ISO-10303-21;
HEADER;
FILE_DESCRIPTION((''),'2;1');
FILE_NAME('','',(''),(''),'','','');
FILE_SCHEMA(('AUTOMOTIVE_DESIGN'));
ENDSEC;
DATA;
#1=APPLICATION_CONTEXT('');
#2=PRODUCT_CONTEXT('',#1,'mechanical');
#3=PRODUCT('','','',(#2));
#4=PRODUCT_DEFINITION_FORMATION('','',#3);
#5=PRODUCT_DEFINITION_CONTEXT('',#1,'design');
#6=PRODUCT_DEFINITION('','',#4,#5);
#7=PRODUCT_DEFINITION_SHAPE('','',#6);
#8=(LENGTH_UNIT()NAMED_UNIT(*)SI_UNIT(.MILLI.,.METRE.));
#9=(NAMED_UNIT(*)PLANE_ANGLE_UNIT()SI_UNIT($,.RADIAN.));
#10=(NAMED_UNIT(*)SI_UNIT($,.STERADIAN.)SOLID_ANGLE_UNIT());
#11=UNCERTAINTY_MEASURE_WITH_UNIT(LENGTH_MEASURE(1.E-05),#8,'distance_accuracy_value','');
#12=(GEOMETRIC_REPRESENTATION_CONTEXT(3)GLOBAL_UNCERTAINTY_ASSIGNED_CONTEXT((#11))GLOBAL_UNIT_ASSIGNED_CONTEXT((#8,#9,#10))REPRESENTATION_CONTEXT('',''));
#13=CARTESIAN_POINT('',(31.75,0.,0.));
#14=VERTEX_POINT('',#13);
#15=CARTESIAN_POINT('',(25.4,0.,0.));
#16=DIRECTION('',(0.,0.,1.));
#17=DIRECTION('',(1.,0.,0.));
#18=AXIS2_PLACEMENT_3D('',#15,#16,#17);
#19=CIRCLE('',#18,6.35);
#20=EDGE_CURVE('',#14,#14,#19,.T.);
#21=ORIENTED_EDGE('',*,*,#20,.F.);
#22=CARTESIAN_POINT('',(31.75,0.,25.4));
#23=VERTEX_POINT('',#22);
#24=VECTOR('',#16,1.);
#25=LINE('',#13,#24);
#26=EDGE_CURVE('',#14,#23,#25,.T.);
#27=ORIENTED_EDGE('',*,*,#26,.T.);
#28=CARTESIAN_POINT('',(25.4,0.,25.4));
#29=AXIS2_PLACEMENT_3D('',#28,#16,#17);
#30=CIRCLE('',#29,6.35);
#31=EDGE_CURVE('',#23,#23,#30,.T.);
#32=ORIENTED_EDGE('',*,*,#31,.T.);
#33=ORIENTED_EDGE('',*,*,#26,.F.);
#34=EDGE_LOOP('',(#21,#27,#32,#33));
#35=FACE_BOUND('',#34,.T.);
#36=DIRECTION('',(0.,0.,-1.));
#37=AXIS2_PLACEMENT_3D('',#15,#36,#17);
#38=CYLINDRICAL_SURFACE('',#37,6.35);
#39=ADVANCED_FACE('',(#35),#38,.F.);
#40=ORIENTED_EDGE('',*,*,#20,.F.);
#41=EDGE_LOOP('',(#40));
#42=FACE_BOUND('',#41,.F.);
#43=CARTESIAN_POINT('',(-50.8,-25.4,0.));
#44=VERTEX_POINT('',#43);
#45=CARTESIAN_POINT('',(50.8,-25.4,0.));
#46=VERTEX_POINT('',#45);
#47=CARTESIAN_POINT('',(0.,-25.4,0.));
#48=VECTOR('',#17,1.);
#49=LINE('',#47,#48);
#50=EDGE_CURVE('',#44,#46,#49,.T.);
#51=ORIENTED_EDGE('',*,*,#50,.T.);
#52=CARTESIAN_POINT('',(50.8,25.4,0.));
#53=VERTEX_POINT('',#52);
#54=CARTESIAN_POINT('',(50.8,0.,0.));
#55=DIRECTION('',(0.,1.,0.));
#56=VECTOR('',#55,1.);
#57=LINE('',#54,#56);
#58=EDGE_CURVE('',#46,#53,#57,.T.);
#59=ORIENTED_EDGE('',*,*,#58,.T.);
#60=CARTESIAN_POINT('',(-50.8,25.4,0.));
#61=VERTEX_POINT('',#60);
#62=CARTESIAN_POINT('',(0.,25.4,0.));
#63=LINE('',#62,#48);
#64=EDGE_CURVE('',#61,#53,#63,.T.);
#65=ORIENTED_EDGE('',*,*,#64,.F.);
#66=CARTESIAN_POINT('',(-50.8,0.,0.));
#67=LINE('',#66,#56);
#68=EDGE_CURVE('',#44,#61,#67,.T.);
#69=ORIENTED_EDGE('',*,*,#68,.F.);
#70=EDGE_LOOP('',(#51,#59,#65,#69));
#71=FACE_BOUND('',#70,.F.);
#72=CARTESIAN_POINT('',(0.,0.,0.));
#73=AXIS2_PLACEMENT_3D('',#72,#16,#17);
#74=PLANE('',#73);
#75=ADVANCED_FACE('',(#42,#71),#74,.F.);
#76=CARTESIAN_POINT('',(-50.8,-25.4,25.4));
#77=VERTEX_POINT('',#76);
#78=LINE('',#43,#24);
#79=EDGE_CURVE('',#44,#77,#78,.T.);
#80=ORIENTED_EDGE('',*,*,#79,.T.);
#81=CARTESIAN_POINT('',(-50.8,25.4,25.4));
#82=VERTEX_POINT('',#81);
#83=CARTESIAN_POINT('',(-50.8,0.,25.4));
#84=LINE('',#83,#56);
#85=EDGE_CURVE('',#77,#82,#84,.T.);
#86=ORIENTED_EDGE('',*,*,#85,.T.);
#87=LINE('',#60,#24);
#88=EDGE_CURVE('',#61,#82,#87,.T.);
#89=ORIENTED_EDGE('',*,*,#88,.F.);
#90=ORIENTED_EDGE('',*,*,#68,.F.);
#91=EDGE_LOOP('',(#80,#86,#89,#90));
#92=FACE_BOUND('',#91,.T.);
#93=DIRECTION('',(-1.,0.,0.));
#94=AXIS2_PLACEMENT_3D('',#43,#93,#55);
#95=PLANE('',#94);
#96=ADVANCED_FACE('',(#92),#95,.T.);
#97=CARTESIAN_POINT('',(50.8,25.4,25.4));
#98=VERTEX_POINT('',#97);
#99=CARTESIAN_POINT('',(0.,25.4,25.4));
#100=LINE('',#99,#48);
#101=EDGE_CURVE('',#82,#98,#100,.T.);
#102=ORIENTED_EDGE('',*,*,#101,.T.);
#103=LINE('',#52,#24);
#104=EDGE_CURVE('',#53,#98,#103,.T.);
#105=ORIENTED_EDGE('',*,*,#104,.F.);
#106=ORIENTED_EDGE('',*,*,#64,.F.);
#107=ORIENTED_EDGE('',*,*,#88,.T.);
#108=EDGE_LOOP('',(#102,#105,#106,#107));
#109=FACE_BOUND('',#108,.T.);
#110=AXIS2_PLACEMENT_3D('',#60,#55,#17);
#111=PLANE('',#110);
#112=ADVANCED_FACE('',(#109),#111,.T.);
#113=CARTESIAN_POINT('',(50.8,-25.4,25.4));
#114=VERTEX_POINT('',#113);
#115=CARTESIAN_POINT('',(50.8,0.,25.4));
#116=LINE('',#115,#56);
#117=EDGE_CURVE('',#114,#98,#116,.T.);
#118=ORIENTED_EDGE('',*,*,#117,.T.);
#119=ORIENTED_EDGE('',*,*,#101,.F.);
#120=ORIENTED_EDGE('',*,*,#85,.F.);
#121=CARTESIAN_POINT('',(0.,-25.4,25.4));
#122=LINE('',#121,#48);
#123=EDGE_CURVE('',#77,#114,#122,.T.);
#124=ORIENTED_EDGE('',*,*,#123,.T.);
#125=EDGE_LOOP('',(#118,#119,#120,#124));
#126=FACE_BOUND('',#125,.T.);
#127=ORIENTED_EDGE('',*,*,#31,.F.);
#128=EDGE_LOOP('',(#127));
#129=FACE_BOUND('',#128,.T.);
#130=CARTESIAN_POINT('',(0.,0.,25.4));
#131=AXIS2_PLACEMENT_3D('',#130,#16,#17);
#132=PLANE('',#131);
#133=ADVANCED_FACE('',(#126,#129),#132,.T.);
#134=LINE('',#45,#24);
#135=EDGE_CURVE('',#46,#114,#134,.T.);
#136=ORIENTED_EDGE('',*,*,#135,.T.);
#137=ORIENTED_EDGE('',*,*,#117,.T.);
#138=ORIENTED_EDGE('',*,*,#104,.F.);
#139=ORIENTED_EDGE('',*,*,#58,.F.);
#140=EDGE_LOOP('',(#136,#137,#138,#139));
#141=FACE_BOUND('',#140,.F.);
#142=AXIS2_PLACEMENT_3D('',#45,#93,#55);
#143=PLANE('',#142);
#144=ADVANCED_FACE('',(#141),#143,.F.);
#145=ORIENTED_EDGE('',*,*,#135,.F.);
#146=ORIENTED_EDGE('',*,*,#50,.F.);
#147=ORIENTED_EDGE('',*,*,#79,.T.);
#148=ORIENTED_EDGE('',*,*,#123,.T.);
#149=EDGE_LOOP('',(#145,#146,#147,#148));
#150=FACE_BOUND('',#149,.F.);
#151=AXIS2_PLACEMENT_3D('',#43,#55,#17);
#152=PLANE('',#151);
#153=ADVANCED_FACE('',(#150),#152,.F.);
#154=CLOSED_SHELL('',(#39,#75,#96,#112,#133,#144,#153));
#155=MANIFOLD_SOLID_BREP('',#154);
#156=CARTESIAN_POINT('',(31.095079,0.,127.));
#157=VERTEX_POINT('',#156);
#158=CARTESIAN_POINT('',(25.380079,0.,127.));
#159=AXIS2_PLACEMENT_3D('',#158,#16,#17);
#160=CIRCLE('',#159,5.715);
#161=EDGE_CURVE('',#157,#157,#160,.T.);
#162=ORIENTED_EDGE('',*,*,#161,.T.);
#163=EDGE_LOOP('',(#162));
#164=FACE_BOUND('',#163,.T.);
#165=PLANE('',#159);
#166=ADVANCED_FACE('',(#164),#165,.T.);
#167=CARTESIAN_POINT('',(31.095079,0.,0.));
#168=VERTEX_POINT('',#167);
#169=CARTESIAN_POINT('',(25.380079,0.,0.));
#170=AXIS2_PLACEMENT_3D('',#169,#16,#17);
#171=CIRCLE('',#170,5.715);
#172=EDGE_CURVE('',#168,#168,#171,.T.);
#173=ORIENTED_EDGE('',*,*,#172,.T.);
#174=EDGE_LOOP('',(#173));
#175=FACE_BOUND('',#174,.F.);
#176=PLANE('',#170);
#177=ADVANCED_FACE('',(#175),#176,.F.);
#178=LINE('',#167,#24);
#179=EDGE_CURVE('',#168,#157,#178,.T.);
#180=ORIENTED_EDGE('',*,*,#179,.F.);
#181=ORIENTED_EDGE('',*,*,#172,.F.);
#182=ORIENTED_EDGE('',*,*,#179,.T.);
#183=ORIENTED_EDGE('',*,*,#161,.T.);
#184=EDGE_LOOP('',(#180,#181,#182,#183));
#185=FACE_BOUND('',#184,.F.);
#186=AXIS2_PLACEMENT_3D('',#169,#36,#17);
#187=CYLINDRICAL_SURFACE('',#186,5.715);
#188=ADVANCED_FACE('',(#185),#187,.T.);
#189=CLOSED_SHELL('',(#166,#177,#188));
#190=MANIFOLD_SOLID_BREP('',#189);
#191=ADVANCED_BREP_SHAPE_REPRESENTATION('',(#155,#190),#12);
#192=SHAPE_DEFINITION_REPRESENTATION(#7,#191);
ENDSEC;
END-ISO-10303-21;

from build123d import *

# Parameters (mm, degrees)
F0_W     = 101.6
F0_H     = 50.8
F0_R     = 6.35
F1_DEPTH = 25.4
F2_R     = 5.715
F3_DEPTH = 127


with BuildPart() as f1:
    # F0 (on Top) → F1 (new body)
    with BuildSketch(Plane.XY):
        Rectangle(F0_W, F0_H)
        with Locations((25.4, 0)):
            Circle(F0_R, mode=Mode.SUBTRACT)
    extrude(amount=F1_DEPTH)


with BuildPart() as f3:
    # F2 (on face) → F3 (new body)
    with BuildSketch(Plane.XY):
        with Locations((25.380079, 0)):
            Circle(F2_R)
    extrude(amount=F3_DEPTH)


solid = Compound([f1.part, f3.part])
